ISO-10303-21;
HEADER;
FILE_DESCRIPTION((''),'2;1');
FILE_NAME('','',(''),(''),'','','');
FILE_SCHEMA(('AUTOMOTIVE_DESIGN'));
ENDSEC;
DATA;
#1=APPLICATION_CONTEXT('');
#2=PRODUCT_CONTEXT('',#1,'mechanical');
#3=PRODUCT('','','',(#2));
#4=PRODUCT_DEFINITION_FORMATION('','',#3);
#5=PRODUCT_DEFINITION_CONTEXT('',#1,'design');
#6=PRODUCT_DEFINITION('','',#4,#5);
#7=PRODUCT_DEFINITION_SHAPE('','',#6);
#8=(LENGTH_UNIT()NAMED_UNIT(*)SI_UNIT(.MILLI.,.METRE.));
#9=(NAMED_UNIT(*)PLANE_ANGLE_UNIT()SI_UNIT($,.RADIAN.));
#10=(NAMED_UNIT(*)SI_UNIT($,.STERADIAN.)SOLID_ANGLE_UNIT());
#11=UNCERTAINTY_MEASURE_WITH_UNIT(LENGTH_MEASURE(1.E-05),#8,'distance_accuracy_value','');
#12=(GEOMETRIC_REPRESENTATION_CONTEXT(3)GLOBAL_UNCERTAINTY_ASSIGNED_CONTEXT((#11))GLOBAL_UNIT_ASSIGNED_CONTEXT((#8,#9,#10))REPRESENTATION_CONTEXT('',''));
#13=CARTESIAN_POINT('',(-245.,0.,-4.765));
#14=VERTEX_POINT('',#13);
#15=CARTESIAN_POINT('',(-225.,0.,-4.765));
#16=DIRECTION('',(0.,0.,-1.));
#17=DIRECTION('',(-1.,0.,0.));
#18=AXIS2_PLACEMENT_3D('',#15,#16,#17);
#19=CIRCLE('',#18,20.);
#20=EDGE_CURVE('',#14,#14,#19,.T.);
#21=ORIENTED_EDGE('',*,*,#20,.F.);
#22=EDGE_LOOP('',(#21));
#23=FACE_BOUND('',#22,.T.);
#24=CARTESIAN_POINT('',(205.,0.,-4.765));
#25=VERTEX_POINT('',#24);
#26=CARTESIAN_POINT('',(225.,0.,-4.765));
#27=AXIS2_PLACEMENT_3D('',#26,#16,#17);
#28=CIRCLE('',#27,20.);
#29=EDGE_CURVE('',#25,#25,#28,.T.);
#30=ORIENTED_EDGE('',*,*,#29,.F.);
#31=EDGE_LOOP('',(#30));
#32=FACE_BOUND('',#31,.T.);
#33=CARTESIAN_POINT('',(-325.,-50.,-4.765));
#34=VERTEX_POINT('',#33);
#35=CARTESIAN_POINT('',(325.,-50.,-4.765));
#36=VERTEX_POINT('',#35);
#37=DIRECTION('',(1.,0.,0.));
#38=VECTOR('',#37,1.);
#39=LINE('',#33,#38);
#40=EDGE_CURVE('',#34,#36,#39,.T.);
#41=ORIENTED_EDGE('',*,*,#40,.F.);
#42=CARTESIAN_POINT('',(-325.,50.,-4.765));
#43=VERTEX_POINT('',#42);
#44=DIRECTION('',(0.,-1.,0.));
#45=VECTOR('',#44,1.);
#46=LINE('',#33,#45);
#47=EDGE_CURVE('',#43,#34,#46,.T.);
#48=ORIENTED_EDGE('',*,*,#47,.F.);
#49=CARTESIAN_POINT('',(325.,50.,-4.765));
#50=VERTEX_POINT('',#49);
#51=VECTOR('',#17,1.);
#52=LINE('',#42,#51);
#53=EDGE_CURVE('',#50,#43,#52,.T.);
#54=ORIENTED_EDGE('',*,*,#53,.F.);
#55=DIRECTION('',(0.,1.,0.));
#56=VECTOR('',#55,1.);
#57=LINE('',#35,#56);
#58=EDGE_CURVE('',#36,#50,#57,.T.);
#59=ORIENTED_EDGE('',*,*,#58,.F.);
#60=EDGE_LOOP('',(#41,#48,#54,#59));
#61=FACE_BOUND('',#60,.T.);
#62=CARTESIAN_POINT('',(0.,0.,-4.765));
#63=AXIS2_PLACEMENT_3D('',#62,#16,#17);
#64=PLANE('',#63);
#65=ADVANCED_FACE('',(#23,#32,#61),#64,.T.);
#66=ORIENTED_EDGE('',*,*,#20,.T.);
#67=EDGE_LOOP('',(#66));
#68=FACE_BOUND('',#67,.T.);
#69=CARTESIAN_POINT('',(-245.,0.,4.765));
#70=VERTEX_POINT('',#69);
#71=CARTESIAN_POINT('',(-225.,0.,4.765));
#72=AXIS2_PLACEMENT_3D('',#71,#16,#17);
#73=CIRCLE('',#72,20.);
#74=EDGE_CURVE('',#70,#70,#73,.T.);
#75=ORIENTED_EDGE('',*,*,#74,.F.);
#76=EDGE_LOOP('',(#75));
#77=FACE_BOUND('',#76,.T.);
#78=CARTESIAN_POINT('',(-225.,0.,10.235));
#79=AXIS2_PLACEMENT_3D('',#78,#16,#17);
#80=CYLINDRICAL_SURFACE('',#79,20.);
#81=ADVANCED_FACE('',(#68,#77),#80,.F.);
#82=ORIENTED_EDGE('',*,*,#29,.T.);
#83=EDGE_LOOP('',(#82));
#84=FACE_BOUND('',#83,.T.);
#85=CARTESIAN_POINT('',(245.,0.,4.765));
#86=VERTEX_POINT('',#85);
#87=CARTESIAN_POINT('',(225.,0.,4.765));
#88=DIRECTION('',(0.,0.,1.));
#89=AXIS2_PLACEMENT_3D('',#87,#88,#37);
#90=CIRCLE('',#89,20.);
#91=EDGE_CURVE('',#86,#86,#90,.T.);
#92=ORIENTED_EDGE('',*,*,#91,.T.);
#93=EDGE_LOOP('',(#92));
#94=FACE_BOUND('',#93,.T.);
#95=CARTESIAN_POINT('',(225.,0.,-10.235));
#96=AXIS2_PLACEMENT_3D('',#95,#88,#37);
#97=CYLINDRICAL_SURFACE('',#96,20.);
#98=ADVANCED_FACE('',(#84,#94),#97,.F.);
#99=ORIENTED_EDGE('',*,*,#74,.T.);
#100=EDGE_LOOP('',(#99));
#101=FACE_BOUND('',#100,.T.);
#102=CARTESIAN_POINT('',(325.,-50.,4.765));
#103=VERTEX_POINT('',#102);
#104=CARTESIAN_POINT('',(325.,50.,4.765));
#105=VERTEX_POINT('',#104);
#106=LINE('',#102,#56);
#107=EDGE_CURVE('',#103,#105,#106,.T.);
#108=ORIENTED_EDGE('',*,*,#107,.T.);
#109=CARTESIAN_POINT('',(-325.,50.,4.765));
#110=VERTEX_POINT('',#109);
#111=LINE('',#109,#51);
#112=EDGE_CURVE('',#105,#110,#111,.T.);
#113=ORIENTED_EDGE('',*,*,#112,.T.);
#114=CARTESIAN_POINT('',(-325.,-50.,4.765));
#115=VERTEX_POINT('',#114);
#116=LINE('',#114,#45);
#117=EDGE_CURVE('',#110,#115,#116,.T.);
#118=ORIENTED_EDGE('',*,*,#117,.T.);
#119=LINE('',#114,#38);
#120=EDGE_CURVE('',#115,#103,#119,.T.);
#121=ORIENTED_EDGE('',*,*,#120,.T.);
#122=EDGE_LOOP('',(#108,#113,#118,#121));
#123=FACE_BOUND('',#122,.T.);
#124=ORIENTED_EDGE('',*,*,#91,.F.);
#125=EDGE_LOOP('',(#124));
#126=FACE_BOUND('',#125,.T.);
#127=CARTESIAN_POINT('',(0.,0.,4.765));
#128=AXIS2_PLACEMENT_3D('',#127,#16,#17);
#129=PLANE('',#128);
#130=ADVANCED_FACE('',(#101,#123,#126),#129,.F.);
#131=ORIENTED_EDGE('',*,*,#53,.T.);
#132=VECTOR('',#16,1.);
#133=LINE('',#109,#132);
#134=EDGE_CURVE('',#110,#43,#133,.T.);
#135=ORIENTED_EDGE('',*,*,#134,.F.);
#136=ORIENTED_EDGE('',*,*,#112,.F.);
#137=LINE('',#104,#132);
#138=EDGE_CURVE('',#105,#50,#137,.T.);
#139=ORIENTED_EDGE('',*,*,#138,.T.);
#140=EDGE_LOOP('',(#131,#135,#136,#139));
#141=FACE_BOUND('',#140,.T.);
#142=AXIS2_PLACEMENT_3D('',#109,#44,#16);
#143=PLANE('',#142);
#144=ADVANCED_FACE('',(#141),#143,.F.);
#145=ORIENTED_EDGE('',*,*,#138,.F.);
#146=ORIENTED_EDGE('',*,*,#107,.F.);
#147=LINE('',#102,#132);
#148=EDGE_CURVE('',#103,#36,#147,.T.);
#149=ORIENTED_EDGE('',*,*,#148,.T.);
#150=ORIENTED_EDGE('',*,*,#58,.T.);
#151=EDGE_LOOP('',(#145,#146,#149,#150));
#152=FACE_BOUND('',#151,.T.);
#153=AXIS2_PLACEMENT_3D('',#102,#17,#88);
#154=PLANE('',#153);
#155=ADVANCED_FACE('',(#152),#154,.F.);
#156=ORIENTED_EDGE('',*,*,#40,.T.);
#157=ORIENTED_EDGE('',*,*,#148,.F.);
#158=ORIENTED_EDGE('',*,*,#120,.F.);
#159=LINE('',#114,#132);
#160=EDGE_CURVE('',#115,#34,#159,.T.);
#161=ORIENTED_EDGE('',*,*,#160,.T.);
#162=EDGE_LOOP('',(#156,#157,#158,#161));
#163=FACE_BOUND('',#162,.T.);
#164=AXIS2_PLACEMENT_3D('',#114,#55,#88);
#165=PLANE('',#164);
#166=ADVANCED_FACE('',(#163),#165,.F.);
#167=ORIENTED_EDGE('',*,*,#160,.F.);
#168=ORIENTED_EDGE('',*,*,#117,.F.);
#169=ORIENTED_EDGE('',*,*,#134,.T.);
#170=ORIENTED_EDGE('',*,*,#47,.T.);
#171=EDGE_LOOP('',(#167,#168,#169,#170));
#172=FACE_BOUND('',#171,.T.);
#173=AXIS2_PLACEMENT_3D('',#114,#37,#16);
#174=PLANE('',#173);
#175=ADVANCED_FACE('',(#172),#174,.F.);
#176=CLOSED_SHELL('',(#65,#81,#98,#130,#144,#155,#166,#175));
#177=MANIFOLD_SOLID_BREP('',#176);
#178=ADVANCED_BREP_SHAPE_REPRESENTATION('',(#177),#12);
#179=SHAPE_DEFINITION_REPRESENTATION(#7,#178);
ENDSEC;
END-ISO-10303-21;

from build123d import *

# Parameters (mm, degrees)
CROQUIS1_W              = 650
CROQUIS1_H              = 100
SALIENTE_EXTRUIR1_DEPTH = 4.765
CROQUIS4_R              = 20
CORTAR_EXTRUIR3_DEPTH   = 15
CROQUIS3_R              = 20
CORTAR_EXTRUIR4_DEPTH   = 15


with BuildPart() as part:
    # Croquis1 → Saliente-Extruir1 (new, symmetric)
    with BuildSketch(Plane.XY):
        Rectangle(CROQUIS1_W, CROQUIS1_H)
    extrude(amount=SALIENTE_EXTRUIR1_DEPTH, both=True)

    # Croquis4 → Cortar-Extruir3 (cut)
    with BuildSketch(Plane(origin=(0, 0, -4.765), x_dir=(-1, 0, 0), z_dir=(0, 0, -1))):
        with Locations((225, 0)):
            Circle(CROQUIS4_R)
    extrude(amount=-CORTAR_EXTRUIR3_DEPTH, mode=Mode.SUBTRACT)

    # Croquis3 → Cortar-Extruir4 (cut)
    with BuildSketch(Plane.XY.offset(4.765)):
        with Locations((225, 0)):
            Circle(CROQUIS3_R)
    extrude(amount=-CORTAR_EXTRUIR4_DEPTH, mode=Mode.SUBTRACT)


solid = part.part
